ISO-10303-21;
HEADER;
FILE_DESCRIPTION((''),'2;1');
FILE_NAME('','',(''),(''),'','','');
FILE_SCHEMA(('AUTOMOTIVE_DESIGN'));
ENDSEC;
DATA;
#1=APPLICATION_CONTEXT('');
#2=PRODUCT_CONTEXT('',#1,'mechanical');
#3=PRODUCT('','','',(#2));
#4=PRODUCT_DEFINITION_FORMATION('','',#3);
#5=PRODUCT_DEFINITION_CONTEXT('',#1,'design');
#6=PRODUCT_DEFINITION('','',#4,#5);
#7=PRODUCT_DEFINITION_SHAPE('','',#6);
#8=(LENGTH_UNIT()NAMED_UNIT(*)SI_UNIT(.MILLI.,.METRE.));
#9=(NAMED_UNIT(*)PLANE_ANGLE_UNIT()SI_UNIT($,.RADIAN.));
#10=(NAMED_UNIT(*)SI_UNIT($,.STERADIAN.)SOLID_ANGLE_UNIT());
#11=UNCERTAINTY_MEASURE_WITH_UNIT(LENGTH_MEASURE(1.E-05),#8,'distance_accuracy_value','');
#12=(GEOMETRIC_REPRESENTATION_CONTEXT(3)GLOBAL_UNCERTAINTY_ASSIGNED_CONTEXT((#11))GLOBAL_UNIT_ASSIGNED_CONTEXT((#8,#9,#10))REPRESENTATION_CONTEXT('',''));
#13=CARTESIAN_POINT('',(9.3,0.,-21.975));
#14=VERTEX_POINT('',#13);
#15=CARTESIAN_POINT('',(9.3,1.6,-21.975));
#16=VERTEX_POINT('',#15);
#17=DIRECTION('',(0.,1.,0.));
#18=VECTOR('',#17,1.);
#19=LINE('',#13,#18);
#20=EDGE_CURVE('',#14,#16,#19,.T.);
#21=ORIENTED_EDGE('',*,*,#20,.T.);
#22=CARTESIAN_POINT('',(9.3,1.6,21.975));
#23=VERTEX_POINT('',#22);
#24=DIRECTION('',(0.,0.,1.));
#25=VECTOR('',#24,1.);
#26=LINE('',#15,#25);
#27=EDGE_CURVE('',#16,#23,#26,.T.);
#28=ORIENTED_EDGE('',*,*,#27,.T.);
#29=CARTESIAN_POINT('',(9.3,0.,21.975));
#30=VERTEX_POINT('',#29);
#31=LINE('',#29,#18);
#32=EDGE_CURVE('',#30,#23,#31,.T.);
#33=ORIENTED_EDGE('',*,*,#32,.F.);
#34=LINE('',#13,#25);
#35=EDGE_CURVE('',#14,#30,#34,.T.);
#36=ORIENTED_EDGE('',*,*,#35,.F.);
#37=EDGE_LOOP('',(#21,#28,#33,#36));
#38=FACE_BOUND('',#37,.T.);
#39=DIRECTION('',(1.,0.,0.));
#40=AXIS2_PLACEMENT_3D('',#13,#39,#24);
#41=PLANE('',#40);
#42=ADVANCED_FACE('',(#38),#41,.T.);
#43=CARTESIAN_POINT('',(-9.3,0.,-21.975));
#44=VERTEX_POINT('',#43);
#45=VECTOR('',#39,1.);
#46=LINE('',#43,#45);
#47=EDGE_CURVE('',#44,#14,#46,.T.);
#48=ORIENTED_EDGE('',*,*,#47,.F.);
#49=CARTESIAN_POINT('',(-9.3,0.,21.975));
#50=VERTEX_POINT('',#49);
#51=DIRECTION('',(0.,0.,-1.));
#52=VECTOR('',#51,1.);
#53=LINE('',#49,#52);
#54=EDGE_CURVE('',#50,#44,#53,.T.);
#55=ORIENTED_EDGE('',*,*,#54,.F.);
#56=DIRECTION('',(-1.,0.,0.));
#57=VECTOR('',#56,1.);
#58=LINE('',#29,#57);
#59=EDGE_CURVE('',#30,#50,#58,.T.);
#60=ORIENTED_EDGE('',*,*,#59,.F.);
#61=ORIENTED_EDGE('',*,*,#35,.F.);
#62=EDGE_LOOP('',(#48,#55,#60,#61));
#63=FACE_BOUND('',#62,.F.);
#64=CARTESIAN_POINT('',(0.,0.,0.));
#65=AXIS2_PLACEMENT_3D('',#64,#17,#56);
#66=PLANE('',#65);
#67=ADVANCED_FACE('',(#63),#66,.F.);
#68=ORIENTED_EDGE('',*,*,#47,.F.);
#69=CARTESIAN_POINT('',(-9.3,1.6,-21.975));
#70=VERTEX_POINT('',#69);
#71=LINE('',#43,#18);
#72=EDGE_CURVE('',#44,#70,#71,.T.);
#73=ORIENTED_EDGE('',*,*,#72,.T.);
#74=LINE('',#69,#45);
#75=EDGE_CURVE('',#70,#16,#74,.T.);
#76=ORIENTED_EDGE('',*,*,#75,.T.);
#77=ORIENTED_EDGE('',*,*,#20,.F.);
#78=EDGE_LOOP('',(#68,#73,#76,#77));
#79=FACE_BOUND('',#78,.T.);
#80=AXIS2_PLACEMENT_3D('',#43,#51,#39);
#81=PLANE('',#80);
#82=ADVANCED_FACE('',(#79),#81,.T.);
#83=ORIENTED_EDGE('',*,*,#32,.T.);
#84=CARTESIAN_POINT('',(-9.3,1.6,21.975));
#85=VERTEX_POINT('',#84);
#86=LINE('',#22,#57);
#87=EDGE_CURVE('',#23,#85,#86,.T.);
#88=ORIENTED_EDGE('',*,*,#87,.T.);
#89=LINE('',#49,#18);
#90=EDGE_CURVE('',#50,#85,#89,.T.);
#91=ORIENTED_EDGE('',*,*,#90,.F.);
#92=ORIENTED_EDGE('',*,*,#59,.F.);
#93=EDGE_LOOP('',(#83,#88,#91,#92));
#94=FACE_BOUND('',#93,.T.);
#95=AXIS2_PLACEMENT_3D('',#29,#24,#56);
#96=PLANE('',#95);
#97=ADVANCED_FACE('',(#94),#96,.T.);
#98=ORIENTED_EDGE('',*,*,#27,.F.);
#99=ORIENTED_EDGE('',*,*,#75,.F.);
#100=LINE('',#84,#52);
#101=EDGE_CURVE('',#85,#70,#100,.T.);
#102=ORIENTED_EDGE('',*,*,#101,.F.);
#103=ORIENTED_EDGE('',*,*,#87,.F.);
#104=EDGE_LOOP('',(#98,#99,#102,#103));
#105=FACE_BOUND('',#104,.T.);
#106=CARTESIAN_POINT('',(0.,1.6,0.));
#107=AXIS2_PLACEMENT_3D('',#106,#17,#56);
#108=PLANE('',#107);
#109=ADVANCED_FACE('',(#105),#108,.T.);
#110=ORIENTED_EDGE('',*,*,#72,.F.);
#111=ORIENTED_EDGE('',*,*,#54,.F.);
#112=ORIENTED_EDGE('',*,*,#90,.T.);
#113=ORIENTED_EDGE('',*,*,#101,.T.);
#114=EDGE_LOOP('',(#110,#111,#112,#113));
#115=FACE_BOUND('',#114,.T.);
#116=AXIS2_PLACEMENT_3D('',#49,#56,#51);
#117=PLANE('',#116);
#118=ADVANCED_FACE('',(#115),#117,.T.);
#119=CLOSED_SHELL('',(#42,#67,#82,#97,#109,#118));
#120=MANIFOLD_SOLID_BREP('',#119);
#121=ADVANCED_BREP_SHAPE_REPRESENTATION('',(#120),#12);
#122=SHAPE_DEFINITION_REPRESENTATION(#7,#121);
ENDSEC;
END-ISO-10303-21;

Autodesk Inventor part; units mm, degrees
ref_plane "YZ Plane" through (0, 0, 0) normal (1, 0, 0) x (0, 1, 0)
ref_plane "XZ Plane" through (0, 0, 0) normal (0, 1, 0) x (-1, 0, 0)
ref_plane "XY Plane" through (0, 0, 0) normal (0, 0, 1) x (1, 0, 0)
sketch "Sketch1" plane through (0, 0, 0) normal (0, 1, 0) x (-1, 0, 0)
  line L0 (-9.3, 21.975) -> (9.3, 21.975)
  line L1 (9.3, 21.975) -> (9.3, -21.975)
  line L2 (9.3, -21.975) -> (-9.3, -21.975)
  line L3 (-9.3, -21.975) -> (-9.3, 21.975)
  line L4 (-9.3, 21.975) -> (9.3, -21.975) construction
  line L5 (9.3, 21.975) -> (-9.3, -21.975) construction
  point P0 (0, 0)
  dimension "d0" = 43.95
  dimension "d1" = 18.6
extrude "Extrusion1" add sketch "Sketch1" along normal blind 1.6
properties part number "RJ45_PCB"
